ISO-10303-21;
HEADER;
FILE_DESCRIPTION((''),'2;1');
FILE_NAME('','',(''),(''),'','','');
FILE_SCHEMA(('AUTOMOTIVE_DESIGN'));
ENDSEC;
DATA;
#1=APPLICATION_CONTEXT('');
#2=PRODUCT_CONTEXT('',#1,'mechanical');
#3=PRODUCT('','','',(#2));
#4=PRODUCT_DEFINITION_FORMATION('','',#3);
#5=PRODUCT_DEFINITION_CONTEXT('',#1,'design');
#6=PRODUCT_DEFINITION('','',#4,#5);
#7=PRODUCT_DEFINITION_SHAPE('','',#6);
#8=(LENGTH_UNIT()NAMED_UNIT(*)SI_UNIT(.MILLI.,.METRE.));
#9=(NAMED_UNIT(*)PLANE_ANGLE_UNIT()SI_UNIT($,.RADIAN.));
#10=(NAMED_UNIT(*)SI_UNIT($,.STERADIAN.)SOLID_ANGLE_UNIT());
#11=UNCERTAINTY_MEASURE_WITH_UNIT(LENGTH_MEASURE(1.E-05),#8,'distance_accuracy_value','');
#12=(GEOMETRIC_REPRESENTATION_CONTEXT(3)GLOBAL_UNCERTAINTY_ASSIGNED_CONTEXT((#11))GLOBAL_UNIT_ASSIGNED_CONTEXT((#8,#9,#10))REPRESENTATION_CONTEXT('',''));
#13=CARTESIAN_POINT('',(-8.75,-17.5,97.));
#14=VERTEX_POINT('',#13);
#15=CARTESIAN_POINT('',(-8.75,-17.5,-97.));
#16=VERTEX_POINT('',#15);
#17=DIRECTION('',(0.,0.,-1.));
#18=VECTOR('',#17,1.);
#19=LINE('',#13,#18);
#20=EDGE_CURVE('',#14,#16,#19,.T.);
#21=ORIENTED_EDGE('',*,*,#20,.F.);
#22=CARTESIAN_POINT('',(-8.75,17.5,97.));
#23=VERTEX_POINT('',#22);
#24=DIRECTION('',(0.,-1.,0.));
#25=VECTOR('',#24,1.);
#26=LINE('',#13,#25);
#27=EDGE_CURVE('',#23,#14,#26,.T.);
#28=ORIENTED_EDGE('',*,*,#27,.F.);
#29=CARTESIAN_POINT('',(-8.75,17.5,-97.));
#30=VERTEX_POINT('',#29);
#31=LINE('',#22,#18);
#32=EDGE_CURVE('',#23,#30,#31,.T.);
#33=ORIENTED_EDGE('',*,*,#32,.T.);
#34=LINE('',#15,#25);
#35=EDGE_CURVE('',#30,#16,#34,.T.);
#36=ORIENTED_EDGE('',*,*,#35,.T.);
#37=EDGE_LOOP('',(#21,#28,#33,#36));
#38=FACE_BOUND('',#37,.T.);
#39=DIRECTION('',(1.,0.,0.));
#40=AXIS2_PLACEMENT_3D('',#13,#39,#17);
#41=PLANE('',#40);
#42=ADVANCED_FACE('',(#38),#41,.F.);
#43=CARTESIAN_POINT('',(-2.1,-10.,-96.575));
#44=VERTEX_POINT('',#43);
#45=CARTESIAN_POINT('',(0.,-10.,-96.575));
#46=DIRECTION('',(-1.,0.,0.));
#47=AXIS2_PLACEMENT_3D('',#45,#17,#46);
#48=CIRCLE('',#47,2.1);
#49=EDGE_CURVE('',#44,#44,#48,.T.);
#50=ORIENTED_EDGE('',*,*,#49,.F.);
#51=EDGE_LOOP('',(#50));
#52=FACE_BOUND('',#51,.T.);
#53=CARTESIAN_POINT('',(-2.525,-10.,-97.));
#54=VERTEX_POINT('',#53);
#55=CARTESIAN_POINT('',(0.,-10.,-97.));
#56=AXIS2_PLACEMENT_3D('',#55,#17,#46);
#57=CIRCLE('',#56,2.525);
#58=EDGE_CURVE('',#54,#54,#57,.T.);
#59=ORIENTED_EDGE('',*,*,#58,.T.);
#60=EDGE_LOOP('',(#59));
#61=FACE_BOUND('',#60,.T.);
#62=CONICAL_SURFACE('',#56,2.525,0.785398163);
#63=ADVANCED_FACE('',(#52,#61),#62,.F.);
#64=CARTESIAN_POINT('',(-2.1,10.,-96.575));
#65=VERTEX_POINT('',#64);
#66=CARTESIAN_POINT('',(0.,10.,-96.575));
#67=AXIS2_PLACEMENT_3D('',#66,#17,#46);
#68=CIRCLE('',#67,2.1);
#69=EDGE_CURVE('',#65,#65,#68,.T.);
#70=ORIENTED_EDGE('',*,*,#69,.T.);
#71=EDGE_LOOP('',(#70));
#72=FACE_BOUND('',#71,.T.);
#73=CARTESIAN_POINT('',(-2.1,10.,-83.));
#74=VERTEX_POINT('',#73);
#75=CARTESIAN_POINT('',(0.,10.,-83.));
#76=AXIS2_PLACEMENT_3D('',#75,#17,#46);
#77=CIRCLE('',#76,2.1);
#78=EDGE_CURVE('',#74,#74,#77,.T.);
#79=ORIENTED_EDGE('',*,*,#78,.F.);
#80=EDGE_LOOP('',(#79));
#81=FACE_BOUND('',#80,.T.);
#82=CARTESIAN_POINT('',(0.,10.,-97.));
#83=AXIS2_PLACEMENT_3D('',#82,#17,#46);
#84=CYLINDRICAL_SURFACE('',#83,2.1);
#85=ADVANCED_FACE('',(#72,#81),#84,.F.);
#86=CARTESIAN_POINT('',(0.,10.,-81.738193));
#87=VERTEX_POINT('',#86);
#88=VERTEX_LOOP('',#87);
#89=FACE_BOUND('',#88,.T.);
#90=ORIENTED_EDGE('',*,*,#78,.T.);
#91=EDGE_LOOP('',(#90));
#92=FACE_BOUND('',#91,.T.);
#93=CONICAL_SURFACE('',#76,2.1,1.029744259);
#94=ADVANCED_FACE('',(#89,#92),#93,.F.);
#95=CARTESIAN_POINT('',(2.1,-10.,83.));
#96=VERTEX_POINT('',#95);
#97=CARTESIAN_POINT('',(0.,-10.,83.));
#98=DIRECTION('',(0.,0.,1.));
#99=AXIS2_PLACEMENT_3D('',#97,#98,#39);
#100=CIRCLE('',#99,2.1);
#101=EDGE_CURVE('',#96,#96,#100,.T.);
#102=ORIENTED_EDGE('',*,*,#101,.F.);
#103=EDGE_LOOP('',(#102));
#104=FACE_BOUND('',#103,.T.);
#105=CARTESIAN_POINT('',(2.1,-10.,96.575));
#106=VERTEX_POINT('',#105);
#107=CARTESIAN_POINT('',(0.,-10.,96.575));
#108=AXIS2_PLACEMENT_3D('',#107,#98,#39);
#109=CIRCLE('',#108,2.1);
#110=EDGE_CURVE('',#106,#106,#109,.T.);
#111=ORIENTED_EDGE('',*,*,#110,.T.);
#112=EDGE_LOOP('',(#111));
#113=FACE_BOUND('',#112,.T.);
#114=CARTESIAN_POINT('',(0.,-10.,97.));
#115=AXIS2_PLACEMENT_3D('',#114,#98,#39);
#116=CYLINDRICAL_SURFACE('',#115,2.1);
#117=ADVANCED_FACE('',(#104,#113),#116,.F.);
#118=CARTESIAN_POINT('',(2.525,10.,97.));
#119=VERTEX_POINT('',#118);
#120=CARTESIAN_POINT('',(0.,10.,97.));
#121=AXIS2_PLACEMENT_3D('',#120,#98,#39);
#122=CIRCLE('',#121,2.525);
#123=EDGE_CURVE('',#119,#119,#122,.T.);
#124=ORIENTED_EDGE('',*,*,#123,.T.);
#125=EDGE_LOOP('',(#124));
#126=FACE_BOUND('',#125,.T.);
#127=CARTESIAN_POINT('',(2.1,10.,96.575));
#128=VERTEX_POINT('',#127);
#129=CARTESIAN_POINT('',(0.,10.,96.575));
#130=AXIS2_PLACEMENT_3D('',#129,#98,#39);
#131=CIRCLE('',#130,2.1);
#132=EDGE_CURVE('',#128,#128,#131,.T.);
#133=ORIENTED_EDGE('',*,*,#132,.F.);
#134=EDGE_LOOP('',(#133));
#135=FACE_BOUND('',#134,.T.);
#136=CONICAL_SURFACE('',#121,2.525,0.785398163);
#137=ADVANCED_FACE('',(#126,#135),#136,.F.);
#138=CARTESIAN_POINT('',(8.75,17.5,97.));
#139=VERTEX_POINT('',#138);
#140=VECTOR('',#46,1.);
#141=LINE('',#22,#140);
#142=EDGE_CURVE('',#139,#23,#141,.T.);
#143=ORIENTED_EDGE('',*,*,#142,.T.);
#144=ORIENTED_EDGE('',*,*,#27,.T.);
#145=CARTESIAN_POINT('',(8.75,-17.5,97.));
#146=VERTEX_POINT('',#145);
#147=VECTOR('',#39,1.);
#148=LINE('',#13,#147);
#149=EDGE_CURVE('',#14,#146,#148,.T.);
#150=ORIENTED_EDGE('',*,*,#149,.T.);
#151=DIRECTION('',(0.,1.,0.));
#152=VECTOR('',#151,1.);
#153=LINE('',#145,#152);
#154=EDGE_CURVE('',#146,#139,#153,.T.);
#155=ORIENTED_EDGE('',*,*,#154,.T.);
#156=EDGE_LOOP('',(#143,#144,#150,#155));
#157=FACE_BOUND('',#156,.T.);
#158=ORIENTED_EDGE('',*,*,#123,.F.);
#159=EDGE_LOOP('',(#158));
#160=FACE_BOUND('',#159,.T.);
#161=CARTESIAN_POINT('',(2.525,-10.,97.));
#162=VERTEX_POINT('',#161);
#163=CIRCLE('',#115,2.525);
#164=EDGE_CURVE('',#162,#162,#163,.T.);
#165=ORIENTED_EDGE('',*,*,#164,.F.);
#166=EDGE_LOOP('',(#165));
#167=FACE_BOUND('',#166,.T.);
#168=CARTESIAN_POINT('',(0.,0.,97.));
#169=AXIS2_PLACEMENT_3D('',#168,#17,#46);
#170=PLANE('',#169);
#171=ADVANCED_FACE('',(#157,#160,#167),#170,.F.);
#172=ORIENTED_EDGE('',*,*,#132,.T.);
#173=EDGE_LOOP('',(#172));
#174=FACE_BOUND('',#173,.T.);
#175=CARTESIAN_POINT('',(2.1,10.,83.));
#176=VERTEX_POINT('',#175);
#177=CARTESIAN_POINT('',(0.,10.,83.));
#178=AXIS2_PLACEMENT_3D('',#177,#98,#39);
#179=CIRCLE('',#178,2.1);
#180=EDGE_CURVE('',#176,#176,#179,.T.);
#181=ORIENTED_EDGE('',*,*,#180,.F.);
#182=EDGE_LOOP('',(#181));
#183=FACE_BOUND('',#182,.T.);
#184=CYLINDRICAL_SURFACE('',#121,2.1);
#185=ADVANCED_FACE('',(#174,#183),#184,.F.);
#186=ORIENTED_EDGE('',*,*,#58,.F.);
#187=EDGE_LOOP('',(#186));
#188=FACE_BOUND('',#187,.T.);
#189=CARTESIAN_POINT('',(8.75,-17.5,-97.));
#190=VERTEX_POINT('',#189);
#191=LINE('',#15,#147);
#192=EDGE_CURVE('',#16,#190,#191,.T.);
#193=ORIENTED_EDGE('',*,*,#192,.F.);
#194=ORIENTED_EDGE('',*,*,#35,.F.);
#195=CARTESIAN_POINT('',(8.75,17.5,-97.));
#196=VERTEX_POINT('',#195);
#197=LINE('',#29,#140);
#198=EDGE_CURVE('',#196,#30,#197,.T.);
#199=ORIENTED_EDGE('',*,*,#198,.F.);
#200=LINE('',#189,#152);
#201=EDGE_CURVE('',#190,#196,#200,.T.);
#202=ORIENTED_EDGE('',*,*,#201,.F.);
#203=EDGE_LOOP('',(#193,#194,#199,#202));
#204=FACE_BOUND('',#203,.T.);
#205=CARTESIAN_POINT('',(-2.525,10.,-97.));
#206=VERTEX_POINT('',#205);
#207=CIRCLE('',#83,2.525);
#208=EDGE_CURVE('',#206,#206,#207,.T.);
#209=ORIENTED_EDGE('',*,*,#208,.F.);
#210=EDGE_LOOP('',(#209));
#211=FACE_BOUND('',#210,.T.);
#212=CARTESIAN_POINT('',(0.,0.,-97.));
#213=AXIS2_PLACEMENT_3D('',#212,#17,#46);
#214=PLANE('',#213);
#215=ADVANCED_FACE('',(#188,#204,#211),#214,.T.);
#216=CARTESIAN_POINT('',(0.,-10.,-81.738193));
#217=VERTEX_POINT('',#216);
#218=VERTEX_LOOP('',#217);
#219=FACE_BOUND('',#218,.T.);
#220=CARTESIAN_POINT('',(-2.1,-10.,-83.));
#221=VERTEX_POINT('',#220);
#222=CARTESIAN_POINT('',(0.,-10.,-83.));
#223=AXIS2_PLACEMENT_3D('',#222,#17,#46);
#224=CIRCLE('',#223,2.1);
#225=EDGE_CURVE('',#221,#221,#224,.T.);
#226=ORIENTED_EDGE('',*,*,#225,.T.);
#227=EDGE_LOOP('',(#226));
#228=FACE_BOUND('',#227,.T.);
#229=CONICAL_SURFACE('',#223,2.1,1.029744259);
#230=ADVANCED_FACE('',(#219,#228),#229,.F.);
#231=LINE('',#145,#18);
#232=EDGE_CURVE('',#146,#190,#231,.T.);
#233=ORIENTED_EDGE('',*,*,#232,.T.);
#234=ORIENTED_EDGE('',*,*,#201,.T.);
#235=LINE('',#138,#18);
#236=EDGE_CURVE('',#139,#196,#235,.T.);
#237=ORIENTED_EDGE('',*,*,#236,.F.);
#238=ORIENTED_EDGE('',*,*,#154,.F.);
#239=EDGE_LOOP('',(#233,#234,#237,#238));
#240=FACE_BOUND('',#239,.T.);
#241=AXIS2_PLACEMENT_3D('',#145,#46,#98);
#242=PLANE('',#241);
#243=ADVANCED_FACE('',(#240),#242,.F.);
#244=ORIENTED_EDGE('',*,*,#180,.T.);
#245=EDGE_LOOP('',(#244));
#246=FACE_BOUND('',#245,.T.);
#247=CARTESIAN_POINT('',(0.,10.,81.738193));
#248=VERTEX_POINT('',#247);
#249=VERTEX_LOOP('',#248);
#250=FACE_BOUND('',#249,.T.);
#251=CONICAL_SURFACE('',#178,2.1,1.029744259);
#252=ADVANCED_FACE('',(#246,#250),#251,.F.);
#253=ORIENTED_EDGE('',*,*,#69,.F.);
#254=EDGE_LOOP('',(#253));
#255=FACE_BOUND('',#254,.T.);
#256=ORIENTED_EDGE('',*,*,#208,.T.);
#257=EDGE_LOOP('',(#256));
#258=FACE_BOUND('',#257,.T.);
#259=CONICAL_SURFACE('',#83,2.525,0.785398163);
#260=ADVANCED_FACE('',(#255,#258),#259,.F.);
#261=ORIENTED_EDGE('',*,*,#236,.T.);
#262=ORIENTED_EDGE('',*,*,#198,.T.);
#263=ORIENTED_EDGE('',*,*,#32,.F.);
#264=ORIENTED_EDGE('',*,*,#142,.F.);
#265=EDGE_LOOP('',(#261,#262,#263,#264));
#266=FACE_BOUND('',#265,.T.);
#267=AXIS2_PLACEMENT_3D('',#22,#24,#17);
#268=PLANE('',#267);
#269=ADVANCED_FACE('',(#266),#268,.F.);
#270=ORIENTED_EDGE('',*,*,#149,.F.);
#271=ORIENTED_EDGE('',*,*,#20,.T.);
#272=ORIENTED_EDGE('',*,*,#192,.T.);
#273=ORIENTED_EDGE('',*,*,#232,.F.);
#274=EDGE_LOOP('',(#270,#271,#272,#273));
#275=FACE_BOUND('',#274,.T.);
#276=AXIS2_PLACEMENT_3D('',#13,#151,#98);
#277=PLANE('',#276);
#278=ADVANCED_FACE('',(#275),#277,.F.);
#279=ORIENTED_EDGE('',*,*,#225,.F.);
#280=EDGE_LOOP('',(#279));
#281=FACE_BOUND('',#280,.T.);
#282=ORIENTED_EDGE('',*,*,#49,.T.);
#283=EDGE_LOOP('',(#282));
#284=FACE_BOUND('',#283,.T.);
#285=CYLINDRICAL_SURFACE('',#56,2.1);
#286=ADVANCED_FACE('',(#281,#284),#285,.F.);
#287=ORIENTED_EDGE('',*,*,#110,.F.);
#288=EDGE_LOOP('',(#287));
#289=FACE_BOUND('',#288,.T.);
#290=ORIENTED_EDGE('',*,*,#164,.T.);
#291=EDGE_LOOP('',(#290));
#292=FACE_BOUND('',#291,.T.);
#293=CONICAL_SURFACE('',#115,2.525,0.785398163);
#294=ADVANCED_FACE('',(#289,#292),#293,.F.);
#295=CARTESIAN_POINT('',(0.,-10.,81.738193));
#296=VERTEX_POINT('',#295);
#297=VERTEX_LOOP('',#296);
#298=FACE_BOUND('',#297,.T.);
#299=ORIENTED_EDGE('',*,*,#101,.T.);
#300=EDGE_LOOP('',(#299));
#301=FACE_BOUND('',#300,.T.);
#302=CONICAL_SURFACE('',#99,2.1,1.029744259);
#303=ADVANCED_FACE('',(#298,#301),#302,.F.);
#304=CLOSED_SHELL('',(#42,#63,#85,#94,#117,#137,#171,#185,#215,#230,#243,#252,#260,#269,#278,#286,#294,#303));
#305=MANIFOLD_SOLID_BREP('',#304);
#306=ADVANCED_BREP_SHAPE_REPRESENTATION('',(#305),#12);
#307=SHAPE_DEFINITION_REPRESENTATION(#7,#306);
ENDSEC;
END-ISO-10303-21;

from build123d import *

# Parameters (mm, degrees)
SKETCH1_W                  = 17.5
SKETCH1_H                  = 35
BOSS_EXTRUDE1_DEPTH        = 97
M5_TAPPED_HOLE1_AT_2_COUNT = 2
M5_TAPPED_HOLE1_AT_2_PITCH = 20


with BuildPart() as part:
    # Sketch1 → Boss-Extrude1 (new, symmetric)
    with BuildSketch(Plane.XY):
        Rectangle(SKETCH1_W, SKETCH1_H)
    extrude(amount=BOSS_EXTRUDE1_DEPTH, both=True)

    # Sketch5 → M5 Tapped Hole1 (revolve, cut)
    with BuildSketch(Plane(origin=(0, 10, -97), x_dir=(0, 1, 0), z_dir=(1, 0, 0))):
        Polygon((0, 0), (0, 15.2618073), (2.1, 14), (2.1, 0.425), (2.525, 0), align=None)
    m5_tapped_hole1 = revolve(axis=Axis((0, 10, -103.35), (0, 0, 1)), mode=Mode.SUBTRACT)

    # M5 Tapped Hole1 at 2: M5 Tapped Hole1 ×2
    with Locations(*[(0, -i * M5_TAPPED_HOLE1_AT_2_PITCH, 0) for i in range(1, M5_TAPPED_HOLE1_AT_2_COUNT)]):
        add(m5_tapped_hole1, mode=Mode.SUBTRACT)

    # Mirror1: M5 Tapped Hole1 across plane
    add(m5_tapped_hole1.mirror(Plane.XY), mode=Mode.SUBTRACT)

    # Mirror1 copy 1 sketch → Mirror1 copy 1 (revolve, cut)
    with BuildSketch(Plane(origin=(0, -10, 97), x_dir=(0, 1, 0), z_dir=(1, 0, 0))):
        Polygon((0, 0), (0, -15.2618073), (2.1, -14), (2.1, -0.425), (2.525, 0), align=None)
    revolve(axis=Axis((0, -10, 103.35), (0, 0, 1)), mode=Mode.SUBTRACT)


solid = part.part
